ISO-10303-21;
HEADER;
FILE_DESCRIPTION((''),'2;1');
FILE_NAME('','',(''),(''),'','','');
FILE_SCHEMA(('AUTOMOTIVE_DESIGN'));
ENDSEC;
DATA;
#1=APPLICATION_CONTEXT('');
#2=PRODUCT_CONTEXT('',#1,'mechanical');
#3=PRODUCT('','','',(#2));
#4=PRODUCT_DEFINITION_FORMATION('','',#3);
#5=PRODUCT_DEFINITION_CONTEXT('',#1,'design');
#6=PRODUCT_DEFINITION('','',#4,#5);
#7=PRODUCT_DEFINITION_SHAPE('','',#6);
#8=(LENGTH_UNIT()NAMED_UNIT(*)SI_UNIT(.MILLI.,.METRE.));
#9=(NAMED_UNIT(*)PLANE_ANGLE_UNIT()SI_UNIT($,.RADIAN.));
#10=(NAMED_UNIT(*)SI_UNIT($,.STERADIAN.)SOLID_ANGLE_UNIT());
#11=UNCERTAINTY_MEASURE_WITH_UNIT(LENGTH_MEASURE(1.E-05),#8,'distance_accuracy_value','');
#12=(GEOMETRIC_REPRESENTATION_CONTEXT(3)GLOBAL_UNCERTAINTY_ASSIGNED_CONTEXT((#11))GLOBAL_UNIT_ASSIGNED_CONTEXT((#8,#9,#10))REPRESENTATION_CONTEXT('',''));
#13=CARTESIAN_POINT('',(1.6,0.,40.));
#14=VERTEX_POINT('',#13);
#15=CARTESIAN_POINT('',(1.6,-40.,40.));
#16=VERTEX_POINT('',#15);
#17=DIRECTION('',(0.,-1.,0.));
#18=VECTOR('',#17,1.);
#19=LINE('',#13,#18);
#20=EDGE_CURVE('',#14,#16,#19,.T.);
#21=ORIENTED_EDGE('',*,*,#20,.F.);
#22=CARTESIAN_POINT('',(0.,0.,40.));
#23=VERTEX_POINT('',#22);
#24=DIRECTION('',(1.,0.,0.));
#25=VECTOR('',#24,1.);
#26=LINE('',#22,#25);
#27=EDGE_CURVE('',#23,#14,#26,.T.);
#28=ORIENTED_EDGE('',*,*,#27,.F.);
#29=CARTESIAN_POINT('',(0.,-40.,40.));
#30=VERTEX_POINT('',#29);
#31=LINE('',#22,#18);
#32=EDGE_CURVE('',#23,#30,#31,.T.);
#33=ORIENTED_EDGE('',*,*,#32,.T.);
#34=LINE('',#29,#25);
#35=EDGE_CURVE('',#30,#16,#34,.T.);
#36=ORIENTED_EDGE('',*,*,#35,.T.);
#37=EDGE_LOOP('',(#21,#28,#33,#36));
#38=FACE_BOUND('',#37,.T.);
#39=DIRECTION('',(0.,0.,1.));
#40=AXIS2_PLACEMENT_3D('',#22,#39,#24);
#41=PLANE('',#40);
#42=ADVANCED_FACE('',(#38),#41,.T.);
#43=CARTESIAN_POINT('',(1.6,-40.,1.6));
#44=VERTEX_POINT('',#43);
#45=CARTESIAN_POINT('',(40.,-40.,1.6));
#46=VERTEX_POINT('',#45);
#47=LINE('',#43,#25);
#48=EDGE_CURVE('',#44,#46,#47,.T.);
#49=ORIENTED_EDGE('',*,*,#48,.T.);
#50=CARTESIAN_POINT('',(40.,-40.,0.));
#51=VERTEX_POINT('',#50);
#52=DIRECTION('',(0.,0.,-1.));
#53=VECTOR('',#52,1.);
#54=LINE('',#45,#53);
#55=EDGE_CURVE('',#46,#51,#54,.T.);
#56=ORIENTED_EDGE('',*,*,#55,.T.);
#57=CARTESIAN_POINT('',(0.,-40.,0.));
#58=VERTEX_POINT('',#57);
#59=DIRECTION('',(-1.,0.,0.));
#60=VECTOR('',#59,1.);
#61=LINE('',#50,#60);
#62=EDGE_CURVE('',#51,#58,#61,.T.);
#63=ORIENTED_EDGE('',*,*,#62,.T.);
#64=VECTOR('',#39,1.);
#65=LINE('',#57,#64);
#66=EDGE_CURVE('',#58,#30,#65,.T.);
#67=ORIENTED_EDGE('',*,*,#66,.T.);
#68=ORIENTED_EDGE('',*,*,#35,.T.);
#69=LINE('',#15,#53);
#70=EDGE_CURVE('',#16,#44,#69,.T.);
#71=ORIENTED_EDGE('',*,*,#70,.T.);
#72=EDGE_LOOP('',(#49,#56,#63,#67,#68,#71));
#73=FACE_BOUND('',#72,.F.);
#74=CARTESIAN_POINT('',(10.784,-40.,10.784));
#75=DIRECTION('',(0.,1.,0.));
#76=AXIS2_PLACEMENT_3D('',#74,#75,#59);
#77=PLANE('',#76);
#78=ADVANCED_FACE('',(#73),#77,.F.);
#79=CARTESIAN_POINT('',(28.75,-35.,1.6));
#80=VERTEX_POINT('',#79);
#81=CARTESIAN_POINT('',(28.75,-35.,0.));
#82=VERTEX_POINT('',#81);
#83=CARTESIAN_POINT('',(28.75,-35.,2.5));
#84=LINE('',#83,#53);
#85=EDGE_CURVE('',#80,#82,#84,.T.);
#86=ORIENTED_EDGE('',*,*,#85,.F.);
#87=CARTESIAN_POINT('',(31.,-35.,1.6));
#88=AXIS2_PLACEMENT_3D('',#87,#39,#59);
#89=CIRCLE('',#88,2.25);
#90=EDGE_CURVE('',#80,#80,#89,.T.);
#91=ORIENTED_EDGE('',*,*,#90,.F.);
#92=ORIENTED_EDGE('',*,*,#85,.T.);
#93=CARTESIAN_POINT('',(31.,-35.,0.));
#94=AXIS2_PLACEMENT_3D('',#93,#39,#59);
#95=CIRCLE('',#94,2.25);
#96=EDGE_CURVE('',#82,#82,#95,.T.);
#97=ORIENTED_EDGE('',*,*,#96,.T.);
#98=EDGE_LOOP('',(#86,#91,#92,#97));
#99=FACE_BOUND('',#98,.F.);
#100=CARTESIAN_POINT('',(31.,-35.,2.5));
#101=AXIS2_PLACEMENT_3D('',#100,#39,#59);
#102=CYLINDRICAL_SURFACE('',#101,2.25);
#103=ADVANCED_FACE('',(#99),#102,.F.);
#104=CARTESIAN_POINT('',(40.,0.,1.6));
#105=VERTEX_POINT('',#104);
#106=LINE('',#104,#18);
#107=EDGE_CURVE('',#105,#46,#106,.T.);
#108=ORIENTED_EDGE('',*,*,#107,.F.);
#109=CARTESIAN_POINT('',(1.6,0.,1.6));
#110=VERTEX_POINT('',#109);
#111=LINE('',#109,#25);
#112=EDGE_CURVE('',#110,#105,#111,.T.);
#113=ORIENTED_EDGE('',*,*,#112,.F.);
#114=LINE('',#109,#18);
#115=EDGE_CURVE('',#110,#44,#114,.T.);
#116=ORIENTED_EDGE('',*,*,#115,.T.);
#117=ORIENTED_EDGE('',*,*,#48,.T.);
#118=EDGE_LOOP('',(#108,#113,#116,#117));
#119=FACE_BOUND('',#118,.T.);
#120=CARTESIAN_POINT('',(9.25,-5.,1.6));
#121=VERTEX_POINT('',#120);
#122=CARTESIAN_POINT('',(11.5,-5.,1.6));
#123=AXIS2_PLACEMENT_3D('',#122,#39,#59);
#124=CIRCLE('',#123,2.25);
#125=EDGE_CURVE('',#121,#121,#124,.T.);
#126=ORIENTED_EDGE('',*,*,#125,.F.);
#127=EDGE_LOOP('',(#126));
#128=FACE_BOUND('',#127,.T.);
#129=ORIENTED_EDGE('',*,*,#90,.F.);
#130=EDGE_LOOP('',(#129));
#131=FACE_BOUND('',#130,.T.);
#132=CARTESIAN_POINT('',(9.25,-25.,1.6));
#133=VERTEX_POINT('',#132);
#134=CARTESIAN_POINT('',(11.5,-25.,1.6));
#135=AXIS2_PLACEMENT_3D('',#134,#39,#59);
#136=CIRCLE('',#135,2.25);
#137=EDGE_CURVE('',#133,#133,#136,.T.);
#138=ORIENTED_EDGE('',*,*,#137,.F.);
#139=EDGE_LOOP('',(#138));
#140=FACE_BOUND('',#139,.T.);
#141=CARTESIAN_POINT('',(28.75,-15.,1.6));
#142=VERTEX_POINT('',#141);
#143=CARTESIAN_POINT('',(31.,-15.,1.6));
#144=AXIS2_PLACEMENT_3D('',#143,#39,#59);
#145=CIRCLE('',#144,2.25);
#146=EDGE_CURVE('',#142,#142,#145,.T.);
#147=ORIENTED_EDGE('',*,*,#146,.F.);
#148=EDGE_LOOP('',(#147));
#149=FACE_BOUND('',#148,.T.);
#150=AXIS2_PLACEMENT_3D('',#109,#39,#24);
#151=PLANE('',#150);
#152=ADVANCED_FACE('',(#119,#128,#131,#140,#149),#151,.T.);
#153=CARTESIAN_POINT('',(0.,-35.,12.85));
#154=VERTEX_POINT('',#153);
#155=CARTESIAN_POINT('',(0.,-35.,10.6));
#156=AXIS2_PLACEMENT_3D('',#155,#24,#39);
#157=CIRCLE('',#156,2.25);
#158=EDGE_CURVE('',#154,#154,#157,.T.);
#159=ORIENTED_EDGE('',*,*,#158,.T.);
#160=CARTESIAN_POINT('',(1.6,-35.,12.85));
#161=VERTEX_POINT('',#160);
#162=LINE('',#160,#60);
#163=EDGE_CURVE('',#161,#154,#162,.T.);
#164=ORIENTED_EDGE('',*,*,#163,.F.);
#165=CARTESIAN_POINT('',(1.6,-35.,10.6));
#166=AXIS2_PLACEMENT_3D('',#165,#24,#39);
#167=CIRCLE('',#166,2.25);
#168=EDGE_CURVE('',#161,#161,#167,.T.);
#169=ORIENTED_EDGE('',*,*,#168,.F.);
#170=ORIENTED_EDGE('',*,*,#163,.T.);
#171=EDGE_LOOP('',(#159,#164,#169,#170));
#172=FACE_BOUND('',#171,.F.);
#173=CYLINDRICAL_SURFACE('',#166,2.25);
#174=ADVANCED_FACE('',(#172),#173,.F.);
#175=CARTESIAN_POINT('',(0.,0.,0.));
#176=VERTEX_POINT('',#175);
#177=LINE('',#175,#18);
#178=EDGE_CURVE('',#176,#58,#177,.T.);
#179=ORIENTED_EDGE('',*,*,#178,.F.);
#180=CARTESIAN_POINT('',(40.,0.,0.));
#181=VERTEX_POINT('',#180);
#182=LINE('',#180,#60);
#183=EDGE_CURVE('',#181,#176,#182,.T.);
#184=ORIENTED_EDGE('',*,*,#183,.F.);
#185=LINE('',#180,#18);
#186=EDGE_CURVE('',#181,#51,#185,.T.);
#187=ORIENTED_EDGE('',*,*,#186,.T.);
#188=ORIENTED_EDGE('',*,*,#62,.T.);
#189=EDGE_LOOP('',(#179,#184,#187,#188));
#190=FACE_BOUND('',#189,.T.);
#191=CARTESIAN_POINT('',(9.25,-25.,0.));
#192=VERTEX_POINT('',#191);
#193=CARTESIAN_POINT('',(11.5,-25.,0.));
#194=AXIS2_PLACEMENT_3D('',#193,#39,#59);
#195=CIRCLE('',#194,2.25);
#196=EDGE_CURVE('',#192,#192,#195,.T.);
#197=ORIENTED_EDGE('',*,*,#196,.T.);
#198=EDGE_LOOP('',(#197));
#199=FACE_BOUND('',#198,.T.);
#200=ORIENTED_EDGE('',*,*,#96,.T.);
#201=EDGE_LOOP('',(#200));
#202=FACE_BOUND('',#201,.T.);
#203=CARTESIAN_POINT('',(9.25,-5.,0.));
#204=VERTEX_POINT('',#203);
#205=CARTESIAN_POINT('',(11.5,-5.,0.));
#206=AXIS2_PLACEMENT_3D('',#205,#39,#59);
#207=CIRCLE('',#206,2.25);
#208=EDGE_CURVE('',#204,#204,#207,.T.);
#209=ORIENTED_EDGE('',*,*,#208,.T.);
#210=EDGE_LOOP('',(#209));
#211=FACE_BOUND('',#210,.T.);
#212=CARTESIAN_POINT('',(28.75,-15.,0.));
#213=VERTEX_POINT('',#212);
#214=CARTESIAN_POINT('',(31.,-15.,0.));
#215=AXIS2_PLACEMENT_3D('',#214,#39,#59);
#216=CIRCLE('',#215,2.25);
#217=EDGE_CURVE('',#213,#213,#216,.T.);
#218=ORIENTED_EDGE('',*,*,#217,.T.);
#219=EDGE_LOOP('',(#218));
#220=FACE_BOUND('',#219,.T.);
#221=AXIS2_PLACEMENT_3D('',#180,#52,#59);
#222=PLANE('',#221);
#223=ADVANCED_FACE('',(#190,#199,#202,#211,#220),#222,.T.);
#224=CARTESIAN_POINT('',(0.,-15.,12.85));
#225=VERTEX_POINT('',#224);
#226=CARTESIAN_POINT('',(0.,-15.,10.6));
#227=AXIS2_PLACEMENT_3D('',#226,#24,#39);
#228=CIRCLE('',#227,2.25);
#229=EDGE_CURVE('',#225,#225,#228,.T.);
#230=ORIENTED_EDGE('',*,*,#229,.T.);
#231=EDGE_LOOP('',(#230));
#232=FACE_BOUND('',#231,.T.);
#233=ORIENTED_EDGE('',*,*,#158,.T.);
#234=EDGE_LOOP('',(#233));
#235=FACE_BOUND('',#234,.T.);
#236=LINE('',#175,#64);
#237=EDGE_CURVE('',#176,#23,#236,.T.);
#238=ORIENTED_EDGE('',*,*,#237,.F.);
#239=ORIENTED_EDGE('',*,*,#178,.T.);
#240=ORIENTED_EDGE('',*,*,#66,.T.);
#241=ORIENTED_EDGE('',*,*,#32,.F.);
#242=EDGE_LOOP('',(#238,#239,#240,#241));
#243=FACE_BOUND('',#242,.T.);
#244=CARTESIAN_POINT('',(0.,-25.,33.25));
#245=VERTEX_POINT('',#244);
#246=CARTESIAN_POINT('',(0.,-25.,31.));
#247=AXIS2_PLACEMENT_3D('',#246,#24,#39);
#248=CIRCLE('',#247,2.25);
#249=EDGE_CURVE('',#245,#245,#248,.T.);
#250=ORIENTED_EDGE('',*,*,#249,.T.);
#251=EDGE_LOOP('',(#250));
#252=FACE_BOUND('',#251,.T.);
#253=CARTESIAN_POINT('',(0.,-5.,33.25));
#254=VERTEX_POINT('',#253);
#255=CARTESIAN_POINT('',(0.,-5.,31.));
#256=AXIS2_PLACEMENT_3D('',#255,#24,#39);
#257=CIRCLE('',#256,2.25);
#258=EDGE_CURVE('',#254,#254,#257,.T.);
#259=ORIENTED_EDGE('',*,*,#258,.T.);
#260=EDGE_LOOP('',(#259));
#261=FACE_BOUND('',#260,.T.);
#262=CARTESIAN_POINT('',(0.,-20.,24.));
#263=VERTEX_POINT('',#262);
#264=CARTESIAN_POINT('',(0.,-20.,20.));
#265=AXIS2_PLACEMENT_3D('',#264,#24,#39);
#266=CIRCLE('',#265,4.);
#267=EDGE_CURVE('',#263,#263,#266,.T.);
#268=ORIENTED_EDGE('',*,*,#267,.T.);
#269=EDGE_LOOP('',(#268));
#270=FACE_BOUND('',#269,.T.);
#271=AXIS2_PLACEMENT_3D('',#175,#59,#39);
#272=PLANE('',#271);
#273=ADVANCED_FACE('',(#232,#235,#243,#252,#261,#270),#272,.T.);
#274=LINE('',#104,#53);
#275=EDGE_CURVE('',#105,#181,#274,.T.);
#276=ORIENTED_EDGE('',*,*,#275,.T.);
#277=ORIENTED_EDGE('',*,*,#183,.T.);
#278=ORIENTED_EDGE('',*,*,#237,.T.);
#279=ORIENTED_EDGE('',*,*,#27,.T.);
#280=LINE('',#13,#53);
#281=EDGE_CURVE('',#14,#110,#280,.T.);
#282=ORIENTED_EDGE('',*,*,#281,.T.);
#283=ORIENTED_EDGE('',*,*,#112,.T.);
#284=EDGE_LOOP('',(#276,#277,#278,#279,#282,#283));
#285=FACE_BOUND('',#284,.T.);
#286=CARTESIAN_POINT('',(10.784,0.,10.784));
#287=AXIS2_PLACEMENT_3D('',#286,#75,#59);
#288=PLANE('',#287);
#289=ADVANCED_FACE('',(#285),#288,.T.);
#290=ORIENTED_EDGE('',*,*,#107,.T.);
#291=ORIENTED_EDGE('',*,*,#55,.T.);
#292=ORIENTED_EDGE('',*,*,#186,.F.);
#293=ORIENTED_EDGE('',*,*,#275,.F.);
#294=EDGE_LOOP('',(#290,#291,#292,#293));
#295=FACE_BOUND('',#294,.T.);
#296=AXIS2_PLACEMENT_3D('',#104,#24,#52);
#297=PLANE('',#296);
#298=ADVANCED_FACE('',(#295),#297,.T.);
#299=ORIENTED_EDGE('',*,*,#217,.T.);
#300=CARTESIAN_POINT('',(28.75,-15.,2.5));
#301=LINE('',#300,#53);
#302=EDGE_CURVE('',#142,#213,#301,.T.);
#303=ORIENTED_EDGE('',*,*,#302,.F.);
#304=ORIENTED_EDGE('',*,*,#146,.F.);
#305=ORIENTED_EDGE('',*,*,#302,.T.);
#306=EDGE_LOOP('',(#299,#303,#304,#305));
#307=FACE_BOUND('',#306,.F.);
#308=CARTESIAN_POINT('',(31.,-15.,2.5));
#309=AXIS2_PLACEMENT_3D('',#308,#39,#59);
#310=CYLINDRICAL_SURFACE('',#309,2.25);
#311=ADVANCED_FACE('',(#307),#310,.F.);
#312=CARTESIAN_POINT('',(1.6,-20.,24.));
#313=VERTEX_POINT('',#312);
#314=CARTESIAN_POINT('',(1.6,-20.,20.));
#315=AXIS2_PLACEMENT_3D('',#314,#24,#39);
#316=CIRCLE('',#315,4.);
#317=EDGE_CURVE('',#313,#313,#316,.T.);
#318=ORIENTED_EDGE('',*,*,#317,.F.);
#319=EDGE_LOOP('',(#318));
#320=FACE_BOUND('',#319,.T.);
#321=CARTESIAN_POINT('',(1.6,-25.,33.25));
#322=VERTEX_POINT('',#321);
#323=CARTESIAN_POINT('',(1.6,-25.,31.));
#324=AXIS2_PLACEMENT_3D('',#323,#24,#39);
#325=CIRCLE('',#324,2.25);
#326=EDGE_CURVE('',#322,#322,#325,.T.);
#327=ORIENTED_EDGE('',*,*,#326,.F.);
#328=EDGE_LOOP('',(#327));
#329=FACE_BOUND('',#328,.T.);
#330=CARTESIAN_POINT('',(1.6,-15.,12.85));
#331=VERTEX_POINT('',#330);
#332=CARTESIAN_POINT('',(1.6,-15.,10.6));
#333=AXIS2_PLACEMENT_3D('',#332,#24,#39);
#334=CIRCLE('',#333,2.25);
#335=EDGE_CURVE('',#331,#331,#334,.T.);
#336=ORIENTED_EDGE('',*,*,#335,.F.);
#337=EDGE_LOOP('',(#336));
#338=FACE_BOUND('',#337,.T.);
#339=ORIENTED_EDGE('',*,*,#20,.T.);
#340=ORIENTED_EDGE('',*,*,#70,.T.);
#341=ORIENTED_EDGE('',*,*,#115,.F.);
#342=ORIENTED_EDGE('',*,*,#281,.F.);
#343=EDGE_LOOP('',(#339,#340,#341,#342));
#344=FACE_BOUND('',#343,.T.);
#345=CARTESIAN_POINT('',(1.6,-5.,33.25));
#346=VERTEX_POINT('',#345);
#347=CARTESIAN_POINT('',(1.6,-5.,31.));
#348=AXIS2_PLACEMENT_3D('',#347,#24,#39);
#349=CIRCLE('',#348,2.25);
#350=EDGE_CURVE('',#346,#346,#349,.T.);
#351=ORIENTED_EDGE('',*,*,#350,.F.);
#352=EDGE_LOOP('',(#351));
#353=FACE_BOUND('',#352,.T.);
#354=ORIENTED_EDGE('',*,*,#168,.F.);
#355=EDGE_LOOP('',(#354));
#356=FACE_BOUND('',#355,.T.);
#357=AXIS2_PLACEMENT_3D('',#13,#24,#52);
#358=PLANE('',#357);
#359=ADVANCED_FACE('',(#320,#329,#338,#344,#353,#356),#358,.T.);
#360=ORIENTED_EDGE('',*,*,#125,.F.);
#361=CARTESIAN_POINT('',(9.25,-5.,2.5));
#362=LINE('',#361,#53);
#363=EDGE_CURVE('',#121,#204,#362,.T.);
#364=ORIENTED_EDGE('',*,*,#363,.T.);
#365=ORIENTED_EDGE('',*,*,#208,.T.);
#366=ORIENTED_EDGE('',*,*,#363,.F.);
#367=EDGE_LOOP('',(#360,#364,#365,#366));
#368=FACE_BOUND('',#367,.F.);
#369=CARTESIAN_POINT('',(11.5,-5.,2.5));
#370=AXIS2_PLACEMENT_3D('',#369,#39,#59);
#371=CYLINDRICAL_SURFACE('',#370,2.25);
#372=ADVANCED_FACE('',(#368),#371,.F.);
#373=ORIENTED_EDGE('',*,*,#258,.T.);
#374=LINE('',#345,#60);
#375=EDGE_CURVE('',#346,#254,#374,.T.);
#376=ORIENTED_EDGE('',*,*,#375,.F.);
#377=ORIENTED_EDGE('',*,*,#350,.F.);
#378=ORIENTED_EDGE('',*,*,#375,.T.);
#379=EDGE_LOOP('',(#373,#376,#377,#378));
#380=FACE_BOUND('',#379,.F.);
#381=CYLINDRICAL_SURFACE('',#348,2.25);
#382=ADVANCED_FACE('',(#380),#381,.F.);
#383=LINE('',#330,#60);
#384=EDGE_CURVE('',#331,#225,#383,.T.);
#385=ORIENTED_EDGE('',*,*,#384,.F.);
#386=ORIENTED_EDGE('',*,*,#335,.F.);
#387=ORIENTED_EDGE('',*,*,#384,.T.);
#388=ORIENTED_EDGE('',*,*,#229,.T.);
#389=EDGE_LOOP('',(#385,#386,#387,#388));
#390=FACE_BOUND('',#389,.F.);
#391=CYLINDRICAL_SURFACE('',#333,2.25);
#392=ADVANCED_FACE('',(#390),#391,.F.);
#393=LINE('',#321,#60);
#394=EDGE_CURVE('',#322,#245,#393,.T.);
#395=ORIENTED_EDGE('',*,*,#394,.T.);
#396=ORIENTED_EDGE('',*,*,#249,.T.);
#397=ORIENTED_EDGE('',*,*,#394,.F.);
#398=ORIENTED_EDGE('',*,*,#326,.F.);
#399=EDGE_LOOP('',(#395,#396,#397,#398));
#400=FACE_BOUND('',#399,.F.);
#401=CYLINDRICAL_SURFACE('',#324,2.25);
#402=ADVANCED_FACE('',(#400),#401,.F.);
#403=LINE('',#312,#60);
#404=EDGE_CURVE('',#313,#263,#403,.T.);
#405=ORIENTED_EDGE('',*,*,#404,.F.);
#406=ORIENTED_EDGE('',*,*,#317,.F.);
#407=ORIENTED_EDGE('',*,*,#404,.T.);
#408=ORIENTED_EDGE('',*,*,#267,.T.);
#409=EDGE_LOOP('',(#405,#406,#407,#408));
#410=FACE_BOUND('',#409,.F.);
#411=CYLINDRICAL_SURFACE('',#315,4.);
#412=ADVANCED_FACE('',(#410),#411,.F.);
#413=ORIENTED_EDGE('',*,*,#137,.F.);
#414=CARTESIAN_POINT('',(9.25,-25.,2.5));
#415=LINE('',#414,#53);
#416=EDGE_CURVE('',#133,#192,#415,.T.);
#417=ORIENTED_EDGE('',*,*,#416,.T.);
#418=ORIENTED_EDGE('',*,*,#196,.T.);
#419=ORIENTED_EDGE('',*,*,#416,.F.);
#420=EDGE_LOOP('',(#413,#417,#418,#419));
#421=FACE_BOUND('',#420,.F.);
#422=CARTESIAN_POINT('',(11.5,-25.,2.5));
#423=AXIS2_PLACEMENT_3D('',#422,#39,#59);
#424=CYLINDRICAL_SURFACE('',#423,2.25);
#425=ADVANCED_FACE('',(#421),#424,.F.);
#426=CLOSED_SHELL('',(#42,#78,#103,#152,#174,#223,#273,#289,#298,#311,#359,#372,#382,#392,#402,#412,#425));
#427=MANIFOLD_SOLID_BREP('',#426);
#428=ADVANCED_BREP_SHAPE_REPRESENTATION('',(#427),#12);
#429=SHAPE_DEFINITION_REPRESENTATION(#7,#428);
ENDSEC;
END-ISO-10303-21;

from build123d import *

# Parameters (mm, degrees)
PAD_DEPTH       = 40
SKETCH001_R     = 2.25
SKETCH001_R_2   = 4
POCKET_DEPTH    = 1.601
COPYSKETCH002_R = 2.25
POCKET001_DEPTH = 5


with BuildPart() as part:
    # Sketch → Pad (new body)
    with BuildSketch(Plane.XZ):
        Polygon((0, 0), (0, 40), (1.6, 40), (1.6, 1.6), (40, 1.6), (40, 0), align=None)
    extrude(amount=PAD_DEPTH)

    # Sketch001 (on Face3 of Pad) → Pocket (cut, through all)
    with BuildSketch(Plane(origin=(1.6, 0, 0), x_dir=(0, 0, 1), z_dir=(1, 0, 0))):
        with Locations((10.6, 35)):
            Circle(SKETCH001_R)
        with Locations((31, 25)):
            Circle(SKETCH001_R)
        with Locations((10.6, 15)):
            Circle(SKETCH001_R)
        with Locations((31, 5)):
            Circle(SKETCH001_R)
        with Locations((20, 20)):
            Circle(SKETCH001_R_2)
    extrude(amount=-POCKET_DEPTH, mode=Mode.SUBTRACT)

    # CopySketch002 → Pocket001 (cut)
    with BuildSketch(Plane(origin=(0, 0, 2.5), x_dir=(-1, 0, 0), z_dir=(0, 0, 1))):
        with Locations((-11.5, 5)):
            Circle(COPYSKETCH002_R)
        with Locations((-31, 15)):
            Circle(COPYSKETCH002_R)
        with Locations((-11.5, 25)):
            Circle(COPYSKETCH002_R)
        with Locations((-31, 35)):
            Circle(COPYSKETCH002_R)
    extrude(amount=-POCKET001_DEPTH, mode=Mode.SUBTRACT)


solid = part.part
